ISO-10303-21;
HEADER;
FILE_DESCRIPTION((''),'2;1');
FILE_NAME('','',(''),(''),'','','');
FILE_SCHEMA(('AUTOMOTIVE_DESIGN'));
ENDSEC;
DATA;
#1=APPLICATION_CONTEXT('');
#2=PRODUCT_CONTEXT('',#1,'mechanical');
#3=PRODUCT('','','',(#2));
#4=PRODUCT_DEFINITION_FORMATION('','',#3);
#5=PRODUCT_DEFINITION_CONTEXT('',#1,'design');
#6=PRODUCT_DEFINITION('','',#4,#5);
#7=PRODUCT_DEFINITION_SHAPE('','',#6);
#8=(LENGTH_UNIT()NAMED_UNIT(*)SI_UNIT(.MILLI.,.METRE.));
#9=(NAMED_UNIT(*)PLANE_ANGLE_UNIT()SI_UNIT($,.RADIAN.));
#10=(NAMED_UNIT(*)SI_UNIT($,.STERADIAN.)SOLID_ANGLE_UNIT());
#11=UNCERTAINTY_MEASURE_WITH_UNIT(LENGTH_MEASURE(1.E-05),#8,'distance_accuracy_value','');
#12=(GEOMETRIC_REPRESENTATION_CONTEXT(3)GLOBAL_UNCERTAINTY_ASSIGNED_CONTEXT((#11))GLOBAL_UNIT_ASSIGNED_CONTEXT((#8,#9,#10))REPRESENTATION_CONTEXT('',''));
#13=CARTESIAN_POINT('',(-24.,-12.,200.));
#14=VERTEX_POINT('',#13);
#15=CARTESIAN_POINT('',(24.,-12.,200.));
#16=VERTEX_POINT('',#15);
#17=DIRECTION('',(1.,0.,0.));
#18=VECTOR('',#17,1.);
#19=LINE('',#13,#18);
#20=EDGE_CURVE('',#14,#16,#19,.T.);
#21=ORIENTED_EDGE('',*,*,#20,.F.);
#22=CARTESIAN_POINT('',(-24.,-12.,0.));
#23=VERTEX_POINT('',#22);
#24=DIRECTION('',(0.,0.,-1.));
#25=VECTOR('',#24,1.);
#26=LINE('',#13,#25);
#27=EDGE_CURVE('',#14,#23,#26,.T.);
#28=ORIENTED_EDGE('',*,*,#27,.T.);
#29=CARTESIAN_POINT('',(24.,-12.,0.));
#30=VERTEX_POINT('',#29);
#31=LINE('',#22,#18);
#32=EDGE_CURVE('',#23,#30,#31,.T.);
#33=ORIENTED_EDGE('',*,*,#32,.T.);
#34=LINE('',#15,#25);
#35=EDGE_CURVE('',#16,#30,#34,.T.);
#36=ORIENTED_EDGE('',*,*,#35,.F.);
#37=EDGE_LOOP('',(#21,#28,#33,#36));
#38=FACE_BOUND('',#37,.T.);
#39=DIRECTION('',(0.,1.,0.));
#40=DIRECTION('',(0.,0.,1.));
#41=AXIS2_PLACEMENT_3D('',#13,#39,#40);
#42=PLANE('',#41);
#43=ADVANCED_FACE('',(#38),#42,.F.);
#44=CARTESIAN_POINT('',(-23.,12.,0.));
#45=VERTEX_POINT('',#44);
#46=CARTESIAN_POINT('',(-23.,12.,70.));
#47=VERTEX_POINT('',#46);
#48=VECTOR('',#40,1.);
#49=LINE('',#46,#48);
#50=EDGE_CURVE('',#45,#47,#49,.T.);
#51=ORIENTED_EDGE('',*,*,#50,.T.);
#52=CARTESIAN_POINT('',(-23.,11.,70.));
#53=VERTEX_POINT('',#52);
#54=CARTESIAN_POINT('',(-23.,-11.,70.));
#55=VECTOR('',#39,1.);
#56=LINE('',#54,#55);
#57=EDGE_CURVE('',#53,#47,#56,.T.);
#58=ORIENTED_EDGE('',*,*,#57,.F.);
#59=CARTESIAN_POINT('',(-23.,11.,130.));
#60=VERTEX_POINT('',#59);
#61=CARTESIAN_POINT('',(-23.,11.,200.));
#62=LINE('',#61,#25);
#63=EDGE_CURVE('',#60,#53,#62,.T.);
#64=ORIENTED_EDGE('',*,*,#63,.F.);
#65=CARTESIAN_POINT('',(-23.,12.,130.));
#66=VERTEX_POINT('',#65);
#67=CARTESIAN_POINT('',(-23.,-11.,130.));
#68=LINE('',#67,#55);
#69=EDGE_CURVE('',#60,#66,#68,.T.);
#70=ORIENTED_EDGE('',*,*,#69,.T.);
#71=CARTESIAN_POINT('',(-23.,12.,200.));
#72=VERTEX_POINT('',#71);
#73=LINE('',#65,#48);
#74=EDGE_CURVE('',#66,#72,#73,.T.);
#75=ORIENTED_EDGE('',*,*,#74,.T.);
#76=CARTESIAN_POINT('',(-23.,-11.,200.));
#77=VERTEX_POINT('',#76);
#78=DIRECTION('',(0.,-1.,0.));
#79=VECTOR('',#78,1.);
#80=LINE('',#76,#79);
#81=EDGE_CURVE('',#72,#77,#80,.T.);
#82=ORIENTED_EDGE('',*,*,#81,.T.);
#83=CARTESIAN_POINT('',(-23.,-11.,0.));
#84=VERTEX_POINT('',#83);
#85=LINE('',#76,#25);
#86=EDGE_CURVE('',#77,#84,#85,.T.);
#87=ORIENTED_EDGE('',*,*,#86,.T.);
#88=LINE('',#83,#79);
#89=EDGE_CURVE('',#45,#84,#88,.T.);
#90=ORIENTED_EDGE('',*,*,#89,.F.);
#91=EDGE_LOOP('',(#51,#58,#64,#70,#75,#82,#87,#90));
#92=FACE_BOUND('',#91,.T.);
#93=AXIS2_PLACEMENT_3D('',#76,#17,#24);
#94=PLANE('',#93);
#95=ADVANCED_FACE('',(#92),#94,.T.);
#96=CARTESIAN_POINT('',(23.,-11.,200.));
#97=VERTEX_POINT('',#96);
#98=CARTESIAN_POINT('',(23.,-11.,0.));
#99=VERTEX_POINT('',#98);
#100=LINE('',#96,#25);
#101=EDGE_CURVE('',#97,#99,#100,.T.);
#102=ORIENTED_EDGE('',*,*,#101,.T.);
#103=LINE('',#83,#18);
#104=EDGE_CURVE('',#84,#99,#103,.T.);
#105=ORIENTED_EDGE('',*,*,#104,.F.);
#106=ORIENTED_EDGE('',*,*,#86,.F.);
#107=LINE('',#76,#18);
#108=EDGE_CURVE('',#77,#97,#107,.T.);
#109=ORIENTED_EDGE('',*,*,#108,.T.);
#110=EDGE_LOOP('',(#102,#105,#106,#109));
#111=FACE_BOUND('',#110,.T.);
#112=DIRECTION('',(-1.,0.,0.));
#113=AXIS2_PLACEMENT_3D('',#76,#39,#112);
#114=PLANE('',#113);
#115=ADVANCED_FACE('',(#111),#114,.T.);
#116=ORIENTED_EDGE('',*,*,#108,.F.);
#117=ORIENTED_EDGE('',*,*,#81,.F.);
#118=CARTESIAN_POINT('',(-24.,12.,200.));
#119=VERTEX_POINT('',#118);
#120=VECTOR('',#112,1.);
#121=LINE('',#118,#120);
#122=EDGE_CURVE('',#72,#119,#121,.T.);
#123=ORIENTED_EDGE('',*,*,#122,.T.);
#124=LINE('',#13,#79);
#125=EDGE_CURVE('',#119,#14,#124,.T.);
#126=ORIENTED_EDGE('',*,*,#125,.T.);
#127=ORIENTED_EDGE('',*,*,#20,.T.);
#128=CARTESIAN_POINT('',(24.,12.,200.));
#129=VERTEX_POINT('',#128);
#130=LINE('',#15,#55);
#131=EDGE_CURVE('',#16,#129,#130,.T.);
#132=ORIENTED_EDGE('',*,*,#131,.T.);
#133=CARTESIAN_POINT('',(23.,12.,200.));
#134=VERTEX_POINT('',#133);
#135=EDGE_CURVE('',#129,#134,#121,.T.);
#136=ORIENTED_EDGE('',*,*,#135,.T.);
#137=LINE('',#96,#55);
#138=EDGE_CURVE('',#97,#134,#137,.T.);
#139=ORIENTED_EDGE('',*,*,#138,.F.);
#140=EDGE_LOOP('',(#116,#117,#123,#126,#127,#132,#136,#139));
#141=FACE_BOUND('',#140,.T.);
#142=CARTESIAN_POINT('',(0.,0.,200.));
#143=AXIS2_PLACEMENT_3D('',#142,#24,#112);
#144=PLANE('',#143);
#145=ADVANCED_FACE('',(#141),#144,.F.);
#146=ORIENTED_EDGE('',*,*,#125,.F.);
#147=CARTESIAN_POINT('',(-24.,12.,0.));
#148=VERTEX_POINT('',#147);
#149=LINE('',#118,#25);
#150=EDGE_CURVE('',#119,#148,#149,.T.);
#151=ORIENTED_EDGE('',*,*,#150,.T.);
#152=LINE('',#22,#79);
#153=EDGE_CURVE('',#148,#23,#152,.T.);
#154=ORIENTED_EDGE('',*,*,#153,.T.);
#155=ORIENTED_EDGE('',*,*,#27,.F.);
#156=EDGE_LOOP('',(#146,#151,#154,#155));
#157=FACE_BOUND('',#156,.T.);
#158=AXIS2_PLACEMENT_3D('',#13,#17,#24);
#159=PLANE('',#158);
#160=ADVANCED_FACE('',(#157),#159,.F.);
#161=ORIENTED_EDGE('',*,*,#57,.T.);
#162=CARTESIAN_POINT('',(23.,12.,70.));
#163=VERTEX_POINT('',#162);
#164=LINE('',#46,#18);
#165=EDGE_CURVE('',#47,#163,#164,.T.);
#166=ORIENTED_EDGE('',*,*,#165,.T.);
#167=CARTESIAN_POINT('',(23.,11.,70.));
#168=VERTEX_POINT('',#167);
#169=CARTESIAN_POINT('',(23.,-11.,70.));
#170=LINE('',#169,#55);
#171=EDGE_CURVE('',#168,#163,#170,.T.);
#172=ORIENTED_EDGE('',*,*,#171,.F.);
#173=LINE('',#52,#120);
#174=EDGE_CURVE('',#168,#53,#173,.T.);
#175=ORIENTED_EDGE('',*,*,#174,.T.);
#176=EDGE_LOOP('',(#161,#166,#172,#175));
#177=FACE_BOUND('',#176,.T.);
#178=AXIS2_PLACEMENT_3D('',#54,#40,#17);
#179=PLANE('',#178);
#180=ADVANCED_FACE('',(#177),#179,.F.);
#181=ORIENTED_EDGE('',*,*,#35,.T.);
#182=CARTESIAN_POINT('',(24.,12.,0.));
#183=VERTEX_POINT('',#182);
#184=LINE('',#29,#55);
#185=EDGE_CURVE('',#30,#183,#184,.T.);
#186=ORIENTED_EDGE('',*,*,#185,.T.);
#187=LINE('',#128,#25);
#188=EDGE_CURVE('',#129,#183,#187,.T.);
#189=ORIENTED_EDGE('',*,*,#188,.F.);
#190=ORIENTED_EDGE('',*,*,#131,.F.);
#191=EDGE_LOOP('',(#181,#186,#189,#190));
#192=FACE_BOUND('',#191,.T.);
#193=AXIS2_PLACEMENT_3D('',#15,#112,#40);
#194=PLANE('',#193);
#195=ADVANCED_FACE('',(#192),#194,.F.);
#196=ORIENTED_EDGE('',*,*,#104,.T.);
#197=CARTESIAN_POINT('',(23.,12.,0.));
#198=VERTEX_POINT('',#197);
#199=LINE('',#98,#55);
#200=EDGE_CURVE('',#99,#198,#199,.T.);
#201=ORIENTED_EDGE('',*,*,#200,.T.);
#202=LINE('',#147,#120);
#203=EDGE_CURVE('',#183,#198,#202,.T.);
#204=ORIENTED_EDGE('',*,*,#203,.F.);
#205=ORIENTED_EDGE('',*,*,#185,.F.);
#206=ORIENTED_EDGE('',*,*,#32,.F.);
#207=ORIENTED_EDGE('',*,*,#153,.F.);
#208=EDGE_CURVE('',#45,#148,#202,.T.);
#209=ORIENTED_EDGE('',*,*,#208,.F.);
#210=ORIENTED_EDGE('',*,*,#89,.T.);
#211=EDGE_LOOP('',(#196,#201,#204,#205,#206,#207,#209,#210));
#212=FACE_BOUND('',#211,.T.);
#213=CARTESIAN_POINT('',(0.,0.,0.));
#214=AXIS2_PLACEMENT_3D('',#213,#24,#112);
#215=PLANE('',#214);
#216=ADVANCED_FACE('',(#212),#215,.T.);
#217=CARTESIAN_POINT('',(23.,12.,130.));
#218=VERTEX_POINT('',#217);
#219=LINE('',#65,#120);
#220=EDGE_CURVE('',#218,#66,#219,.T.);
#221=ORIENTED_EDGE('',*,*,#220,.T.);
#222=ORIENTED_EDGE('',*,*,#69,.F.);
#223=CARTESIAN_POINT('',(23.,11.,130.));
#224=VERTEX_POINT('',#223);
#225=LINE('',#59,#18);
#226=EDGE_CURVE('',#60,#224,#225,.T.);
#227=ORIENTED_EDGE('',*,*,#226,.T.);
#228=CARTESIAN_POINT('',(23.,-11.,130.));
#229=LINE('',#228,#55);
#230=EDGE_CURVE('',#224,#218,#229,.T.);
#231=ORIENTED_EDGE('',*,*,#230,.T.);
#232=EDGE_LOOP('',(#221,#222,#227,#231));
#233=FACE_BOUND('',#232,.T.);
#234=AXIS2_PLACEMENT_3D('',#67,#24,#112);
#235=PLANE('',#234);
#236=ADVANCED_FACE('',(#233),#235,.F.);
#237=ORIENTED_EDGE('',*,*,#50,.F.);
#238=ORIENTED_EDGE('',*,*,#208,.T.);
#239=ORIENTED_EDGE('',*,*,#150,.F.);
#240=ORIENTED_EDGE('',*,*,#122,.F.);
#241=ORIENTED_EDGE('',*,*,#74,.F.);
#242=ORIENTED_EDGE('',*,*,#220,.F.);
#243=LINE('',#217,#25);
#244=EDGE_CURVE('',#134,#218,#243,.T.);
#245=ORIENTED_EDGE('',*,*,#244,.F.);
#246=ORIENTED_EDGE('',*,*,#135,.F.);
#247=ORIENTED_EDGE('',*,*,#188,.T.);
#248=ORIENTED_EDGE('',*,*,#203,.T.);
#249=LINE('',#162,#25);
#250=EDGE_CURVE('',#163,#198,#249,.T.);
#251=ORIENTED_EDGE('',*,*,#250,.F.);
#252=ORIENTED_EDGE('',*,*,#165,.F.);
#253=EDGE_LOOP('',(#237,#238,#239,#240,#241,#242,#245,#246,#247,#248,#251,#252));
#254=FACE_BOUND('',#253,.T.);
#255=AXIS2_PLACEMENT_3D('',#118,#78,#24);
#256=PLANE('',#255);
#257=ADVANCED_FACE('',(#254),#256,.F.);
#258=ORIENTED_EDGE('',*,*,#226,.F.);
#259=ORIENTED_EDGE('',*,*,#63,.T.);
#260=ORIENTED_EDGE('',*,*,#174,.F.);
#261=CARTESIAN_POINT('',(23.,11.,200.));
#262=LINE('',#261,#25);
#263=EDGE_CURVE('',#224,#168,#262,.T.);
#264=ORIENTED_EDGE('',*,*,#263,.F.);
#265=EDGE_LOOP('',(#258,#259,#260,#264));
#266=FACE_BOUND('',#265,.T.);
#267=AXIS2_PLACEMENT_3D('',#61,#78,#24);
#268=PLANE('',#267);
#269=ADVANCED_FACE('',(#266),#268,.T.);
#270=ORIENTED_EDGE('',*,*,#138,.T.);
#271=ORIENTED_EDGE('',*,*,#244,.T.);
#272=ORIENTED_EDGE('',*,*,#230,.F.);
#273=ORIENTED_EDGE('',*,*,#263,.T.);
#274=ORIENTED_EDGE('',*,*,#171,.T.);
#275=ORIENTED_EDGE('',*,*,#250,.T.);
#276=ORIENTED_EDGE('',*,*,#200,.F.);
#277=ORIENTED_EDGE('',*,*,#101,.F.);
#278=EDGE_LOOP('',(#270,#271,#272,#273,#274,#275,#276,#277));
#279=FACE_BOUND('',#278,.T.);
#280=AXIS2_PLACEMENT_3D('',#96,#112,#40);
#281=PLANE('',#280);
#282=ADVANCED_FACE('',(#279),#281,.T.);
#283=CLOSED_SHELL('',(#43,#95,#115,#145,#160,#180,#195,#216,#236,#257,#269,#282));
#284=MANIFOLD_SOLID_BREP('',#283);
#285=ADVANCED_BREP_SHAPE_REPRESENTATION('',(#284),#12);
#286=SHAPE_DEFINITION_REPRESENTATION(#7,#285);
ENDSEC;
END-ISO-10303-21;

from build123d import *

# Parameters (mm, degrees)
SKETCH1_W           = 48
SKETCH1_H           = 24
SKETCH1_W_2         = 46
SKETCH1_H_2         = 22
BOSS_EXTRUDE1_DEPTH = 200
SKETCH2_W           = 46
SKETCH2_H           = 70
CUT_EXTRUDE1_DEPTH  = 23


with BuildPart() as part:
    # Sketch1 → Boss-Extrude1 (new body)
    with BuildSketch(Plane.XY):
        Rectangle(SKETCH1_W, SKETCH1_H)
        Rectangle(SKETCH1_W_2, SKETCH1_H_2, mode=Mode.SUBTRACT)
    extrude(amount=BOSS_EXTRUDE1_DEPTH)

    # Sketch2 → Cut-Extrude1 (cut)
    with BuildSketch(Plane(origin=(0, 12, 0), x_dir=(1, 0, 0), z_dir=(0, 1, 0))):
        with Locations((0, -165)):
            Rectangle(SKETCH2_W, SKETCH2_H)
        with Locations((0, -35)):
            Rectangle(SKETCH2_W, SKETCH2_H)
    extrude(amount=-CUT_EXTRUDE1_DEPTH, mode=Mode.SUBTRACT)


solid = part.part
